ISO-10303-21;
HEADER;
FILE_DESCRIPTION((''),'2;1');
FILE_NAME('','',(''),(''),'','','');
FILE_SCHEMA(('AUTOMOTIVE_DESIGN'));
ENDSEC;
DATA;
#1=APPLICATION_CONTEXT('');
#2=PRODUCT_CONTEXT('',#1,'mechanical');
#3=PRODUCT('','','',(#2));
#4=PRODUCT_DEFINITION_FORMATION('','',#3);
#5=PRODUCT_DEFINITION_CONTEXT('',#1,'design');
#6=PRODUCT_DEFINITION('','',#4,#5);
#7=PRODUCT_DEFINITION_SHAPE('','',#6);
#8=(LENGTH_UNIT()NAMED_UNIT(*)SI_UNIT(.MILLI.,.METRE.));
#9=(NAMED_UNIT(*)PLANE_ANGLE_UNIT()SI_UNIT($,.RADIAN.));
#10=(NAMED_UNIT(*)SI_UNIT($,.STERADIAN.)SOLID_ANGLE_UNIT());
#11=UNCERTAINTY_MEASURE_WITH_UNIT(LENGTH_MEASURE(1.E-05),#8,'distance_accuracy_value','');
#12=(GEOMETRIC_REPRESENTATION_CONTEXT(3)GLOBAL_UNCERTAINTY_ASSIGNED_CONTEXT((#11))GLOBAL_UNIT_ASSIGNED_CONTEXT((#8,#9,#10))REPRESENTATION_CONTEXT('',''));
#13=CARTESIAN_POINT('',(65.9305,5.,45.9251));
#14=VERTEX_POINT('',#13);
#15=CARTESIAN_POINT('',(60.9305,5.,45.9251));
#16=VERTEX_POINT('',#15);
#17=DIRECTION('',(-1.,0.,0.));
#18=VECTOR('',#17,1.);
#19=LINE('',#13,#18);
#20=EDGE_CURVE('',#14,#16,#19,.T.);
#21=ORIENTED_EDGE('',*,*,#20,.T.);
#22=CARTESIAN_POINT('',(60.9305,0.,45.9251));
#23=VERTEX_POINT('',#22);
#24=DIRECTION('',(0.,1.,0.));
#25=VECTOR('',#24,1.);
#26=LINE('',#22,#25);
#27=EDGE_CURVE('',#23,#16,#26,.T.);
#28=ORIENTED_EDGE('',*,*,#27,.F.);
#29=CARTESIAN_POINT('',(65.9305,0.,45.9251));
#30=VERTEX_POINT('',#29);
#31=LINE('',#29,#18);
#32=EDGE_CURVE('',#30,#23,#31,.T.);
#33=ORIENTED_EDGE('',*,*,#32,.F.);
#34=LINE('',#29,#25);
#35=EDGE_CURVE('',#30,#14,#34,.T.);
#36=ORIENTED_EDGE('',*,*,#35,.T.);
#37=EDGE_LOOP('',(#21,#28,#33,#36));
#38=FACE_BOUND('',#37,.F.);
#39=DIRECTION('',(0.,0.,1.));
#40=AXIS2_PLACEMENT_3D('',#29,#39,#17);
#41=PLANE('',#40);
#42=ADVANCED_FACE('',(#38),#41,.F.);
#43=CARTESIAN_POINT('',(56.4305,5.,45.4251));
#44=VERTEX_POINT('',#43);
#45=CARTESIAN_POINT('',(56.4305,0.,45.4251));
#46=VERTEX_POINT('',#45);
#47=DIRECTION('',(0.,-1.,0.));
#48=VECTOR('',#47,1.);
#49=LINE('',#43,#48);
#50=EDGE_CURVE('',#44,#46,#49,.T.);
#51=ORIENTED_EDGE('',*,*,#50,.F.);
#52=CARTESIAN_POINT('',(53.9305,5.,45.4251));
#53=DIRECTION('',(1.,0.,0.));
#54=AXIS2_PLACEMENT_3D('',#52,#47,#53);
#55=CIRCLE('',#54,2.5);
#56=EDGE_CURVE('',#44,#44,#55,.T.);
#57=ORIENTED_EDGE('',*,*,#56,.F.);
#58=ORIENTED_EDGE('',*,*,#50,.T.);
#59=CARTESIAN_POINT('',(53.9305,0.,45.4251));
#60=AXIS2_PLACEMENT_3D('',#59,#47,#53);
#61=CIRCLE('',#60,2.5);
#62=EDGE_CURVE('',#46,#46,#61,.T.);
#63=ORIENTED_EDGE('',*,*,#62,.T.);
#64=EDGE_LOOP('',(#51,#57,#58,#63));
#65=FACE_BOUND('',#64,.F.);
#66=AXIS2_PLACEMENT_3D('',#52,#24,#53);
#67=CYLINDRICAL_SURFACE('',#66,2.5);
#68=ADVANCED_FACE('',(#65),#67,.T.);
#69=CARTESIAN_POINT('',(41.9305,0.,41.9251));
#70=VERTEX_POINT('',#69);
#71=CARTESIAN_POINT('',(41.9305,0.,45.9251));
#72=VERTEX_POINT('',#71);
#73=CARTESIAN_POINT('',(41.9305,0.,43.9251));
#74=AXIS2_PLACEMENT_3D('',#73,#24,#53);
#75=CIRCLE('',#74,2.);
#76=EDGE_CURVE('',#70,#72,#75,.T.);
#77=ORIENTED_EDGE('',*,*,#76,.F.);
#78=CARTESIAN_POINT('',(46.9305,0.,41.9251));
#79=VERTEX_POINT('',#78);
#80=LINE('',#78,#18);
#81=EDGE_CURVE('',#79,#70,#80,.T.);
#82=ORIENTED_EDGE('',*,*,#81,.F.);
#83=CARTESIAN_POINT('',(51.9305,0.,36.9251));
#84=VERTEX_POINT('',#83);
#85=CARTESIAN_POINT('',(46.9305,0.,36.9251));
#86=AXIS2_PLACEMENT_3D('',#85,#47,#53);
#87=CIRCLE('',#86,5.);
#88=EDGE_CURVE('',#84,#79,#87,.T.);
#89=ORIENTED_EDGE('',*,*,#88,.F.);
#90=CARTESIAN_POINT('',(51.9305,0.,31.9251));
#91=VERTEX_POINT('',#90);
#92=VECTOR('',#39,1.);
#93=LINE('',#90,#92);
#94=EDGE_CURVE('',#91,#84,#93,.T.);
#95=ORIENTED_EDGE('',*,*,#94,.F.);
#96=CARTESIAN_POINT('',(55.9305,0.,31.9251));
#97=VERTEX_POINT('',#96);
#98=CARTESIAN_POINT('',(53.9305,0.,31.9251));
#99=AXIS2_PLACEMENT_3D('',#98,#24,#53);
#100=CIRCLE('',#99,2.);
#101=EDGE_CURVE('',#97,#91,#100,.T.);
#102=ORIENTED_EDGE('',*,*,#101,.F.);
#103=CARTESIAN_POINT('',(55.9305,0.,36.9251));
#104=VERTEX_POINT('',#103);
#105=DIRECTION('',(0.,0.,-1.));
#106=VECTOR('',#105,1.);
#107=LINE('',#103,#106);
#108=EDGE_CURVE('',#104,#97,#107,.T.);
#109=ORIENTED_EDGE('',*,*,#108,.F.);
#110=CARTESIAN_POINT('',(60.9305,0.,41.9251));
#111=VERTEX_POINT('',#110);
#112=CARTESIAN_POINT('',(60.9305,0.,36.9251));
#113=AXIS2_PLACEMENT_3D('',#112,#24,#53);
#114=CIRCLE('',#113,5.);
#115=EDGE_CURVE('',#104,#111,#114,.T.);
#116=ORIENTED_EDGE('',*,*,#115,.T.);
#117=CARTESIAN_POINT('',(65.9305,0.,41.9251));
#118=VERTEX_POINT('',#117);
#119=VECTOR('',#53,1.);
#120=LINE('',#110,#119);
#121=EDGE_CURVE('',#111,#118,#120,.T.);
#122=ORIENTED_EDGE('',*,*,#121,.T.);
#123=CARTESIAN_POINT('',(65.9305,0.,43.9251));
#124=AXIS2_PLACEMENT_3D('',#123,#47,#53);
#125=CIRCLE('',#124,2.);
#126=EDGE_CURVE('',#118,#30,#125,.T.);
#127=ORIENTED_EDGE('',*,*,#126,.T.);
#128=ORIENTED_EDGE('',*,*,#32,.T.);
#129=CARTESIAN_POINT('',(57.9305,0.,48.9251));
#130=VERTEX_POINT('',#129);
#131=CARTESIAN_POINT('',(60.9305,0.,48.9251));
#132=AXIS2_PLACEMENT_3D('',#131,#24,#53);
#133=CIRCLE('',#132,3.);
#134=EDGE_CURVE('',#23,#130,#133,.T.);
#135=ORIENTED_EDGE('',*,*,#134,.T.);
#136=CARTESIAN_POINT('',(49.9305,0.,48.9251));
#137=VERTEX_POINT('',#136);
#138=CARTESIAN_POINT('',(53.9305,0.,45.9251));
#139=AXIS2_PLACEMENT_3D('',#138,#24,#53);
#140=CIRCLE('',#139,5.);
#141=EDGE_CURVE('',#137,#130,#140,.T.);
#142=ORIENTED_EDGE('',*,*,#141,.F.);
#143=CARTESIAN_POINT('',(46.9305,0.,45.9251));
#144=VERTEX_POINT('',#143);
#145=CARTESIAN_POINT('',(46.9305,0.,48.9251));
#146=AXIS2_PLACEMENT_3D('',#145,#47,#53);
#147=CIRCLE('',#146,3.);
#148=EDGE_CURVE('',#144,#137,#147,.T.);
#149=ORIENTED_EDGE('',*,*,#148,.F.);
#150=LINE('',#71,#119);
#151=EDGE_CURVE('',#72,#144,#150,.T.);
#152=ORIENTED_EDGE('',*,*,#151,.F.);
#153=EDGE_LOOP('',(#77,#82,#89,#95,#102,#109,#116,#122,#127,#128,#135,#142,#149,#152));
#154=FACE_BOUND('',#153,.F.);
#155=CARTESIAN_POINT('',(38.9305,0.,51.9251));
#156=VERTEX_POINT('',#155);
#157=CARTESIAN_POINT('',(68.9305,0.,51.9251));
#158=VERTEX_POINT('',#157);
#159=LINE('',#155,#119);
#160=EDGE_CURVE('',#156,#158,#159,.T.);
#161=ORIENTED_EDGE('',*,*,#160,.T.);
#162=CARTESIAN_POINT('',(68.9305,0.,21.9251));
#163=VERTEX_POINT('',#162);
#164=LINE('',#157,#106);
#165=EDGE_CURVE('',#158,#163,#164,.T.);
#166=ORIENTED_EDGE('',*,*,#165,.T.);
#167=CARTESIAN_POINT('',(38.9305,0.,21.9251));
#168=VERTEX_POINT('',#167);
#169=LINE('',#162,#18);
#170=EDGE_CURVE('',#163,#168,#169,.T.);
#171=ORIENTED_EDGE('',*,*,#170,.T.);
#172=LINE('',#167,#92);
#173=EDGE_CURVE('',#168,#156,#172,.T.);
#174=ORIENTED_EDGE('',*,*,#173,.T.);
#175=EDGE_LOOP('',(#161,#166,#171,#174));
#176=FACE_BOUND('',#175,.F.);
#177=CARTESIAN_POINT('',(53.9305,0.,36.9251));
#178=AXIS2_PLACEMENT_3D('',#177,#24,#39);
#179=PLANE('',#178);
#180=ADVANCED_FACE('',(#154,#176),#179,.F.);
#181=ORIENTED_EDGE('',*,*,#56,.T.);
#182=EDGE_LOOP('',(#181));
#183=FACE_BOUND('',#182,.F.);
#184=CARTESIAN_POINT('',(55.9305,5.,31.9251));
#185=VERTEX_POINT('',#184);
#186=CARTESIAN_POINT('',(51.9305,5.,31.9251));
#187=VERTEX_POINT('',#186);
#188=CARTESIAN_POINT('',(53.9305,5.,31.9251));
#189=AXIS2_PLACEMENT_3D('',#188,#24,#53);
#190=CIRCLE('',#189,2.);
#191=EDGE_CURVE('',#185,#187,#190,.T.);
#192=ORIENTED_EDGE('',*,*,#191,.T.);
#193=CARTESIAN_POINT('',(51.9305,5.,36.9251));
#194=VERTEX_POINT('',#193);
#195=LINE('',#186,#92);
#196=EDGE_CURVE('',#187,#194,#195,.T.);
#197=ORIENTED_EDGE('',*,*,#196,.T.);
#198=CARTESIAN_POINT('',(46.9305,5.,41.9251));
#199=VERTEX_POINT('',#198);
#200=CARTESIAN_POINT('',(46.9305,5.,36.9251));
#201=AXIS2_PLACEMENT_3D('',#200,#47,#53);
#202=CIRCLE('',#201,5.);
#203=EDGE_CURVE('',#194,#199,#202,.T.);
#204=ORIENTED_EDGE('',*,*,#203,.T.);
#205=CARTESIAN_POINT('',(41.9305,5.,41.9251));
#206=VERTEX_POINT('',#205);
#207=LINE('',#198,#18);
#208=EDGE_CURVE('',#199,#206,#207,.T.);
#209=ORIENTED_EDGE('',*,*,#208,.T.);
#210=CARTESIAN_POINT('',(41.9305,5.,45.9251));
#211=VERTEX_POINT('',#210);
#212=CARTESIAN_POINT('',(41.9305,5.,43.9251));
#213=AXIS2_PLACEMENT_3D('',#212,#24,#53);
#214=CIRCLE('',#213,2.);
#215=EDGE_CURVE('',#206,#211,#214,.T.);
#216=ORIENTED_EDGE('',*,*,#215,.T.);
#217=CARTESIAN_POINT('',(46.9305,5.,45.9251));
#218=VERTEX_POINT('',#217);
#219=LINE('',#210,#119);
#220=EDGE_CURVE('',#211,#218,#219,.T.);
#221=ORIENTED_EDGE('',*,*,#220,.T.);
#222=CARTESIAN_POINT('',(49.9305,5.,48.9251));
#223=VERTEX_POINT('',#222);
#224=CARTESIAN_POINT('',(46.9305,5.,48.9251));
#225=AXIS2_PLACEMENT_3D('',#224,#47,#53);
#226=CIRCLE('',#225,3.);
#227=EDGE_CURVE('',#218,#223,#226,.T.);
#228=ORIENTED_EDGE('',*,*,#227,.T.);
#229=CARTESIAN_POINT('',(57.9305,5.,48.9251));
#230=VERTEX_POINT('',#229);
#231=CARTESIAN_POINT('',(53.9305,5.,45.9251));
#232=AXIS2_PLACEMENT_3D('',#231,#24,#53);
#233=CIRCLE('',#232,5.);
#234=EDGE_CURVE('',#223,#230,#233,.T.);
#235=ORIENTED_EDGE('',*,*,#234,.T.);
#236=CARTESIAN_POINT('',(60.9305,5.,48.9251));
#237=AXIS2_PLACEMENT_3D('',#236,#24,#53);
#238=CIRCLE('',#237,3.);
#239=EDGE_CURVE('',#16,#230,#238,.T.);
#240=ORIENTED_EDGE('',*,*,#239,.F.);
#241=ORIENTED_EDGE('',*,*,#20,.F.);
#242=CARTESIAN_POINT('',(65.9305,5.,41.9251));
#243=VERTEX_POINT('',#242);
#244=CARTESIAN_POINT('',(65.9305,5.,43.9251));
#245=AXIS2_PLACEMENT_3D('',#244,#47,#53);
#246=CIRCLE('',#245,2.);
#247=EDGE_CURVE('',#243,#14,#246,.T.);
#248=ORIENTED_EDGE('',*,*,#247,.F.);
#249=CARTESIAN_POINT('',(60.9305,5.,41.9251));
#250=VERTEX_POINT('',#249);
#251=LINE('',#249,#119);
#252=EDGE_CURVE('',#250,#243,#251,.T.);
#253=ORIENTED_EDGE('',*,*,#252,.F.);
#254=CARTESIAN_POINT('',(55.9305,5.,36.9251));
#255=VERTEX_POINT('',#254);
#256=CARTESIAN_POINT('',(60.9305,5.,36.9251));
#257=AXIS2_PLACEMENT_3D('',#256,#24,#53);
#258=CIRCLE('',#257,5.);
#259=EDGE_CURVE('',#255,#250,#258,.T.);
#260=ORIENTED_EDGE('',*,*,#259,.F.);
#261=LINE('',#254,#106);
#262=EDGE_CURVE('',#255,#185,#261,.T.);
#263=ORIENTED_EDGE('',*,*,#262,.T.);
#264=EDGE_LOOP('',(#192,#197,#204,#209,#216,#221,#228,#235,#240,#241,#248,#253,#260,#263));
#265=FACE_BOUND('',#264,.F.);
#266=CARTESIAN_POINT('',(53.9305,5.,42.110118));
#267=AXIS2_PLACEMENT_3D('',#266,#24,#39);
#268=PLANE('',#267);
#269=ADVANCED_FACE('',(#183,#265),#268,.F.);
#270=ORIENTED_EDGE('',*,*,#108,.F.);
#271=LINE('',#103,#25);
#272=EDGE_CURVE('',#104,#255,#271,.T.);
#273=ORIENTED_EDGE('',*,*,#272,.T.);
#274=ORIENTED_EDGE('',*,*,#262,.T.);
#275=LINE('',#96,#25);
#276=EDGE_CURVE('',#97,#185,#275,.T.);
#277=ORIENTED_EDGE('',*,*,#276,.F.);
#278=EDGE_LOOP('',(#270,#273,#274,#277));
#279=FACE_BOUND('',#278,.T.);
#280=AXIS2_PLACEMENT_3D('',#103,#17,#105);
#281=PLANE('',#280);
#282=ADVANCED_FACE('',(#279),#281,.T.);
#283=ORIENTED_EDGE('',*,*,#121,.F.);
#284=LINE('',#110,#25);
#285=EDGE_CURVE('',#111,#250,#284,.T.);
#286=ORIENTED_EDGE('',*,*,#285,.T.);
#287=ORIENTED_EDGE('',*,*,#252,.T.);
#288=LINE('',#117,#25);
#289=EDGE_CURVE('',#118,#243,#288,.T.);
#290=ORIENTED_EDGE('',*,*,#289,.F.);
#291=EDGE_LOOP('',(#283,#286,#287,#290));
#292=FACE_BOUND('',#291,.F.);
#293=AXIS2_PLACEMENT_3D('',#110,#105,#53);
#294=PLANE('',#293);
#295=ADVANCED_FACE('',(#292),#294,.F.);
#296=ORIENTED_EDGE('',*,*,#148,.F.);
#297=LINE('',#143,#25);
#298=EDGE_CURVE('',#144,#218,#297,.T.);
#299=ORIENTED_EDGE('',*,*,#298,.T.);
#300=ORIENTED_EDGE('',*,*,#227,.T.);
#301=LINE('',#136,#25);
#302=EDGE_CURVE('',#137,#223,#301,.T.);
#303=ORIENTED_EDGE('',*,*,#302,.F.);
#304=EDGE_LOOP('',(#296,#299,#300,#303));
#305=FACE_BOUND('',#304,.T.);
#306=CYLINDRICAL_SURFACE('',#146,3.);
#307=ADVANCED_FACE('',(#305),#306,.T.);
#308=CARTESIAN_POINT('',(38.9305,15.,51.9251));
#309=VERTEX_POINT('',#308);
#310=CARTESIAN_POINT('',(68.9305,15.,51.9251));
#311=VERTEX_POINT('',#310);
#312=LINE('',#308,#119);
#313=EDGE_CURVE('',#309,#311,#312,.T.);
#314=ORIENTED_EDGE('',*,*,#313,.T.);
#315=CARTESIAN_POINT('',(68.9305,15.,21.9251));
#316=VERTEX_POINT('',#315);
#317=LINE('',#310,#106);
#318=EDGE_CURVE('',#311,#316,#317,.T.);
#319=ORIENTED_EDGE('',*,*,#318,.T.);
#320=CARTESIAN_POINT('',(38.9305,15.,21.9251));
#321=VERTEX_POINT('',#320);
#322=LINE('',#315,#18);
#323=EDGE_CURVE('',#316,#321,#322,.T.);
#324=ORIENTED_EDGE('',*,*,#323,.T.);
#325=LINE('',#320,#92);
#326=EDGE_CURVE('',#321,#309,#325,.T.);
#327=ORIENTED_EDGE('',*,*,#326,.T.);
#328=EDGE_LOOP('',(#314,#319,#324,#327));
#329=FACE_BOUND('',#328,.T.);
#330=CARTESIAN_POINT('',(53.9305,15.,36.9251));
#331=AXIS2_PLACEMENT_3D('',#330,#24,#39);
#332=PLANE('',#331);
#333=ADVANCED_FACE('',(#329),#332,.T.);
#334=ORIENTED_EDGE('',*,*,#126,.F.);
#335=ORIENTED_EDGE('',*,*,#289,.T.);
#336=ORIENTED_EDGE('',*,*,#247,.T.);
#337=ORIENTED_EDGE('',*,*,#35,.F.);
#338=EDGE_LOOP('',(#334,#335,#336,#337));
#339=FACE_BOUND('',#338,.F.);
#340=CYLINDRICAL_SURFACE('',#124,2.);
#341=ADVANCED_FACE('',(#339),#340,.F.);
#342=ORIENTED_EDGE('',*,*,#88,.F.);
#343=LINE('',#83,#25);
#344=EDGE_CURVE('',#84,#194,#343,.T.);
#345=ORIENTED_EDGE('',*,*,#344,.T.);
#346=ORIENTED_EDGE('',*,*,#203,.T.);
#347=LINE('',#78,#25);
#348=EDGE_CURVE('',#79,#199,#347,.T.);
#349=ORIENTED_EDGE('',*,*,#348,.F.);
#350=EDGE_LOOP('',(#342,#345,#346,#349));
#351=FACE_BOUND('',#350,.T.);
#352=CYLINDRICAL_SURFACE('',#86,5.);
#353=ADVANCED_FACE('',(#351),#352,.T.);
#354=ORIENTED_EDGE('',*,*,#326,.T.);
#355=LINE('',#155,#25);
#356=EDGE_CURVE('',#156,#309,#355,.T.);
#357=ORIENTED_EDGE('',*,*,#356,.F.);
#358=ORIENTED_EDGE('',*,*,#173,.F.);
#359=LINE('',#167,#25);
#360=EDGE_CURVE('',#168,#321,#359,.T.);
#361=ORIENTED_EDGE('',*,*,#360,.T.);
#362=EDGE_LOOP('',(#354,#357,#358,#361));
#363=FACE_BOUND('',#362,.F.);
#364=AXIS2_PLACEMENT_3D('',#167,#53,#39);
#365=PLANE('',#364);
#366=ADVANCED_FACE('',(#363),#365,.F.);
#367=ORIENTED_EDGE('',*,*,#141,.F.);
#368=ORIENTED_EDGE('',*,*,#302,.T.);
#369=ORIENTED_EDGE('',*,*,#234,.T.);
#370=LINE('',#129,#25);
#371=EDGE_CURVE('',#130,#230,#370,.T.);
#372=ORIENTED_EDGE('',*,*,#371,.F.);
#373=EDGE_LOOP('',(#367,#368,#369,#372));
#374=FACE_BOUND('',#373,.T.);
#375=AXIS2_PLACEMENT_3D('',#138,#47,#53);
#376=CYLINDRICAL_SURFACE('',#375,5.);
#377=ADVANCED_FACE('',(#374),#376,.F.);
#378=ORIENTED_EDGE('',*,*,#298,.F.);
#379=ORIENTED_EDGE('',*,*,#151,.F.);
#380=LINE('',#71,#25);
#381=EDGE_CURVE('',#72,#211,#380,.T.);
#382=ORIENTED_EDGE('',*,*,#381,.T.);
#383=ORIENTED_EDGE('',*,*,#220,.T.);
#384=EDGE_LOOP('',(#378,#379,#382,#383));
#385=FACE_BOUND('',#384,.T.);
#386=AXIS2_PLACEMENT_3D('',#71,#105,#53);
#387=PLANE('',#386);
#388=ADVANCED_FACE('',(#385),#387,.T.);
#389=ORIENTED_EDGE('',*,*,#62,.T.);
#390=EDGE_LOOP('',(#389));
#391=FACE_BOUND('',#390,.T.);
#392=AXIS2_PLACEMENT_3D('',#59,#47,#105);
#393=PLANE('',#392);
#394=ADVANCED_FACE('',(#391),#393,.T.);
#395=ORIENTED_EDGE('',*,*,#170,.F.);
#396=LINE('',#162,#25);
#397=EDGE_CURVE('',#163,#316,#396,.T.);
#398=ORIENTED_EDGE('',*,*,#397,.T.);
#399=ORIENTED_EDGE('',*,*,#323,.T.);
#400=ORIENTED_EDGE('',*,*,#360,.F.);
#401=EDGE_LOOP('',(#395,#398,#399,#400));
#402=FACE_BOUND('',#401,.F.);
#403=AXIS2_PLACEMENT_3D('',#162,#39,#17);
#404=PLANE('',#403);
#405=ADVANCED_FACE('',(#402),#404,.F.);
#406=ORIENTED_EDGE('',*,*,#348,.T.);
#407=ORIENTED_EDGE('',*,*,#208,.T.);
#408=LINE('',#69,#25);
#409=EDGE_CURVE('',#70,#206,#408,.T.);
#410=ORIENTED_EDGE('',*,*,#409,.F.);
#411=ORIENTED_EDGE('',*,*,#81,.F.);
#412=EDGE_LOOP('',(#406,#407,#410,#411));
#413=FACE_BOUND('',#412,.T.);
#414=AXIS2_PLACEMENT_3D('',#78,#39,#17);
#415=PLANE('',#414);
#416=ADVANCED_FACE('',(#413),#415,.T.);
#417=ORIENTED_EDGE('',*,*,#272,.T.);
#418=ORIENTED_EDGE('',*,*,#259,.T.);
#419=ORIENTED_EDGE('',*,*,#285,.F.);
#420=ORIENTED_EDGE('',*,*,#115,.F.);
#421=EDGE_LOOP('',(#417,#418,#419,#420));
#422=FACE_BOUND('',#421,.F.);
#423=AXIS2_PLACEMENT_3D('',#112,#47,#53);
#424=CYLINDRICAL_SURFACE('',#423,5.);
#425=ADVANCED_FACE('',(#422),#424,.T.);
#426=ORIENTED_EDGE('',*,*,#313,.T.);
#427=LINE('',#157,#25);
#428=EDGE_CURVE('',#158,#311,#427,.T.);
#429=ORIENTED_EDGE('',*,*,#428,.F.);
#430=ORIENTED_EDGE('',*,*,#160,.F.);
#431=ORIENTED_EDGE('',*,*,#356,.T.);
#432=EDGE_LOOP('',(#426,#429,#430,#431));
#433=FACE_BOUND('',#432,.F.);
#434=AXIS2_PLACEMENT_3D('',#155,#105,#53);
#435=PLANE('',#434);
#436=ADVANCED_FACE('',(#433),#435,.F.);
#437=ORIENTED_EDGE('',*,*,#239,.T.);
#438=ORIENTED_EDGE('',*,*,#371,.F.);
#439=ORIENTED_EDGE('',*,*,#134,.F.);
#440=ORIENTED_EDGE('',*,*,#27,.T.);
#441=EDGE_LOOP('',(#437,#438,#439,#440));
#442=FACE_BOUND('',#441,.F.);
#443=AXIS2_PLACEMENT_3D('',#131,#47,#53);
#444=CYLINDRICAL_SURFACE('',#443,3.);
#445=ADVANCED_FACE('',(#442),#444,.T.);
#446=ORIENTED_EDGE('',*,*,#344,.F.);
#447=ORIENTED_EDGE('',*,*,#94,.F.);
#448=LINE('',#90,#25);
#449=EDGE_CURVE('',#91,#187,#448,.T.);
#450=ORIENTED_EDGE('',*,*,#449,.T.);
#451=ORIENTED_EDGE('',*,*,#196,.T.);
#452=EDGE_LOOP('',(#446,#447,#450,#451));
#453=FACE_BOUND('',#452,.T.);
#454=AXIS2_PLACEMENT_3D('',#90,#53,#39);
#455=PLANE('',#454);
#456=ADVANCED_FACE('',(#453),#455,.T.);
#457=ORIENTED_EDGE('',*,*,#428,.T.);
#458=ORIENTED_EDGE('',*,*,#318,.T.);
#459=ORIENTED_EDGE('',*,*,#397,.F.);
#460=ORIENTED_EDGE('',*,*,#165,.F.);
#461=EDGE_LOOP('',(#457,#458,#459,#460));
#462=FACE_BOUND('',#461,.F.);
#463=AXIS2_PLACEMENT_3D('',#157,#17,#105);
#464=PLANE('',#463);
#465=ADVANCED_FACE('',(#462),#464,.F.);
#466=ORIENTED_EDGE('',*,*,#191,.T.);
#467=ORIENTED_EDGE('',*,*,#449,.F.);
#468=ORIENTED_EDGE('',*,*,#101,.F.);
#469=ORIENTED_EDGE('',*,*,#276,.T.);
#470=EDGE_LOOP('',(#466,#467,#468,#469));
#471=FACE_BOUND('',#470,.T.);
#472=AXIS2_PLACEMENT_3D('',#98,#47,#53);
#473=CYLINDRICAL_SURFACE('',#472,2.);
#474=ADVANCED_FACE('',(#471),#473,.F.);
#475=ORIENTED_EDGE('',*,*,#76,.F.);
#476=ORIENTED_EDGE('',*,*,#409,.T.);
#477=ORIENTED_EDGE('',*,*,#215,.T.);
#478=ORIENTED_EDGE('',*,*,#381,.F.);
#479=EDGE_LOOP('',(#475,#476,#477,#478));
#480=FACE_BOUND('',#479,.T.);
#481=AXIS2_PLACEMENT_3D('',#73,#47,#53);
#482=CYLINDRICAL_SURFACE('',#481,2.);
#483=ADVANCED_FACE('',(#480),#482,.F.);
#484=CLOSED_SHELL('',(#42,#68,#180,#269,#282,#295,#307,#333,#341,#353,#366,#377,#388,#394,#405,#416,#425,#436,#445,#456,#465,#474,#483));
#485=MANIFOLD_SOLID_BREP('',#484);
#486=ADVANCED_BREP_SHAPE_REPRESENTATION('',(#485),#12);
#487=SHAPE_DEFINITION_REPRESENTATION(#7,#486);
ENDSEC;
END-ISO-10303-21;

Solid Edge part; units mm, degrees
sketch "Sketch1" plane through (0, 0, 0) normal (0, -1, 0) x (1, 0, 0)
  line L0 (38.9305, 51.9251) -> (68.9305, 51.9251)
  line L1 (68.9305, 51.9251) -> (68.9305, 21.9251)
  line L2 (68.9305, 21.9251) -> (38.9305, 21.9251)
  line L3 (38.9305, 21.9251) -> (38.9305, 51.9251)
  dimension "D1" = 30
  dimension "D2" = 30
extrude "Protrusion1" add sketch "Sketch1" against normal blind 15
sketch "Sketch2" plane through (63.9305, 0, 41.9251) normal (0, -1, 0) x (1, 0, 0)
  line L0 (-8, -5) -> (-8, -10)
  arc A0 (-8, -10) -> (-12, -10) centre (-10, -10) cw
  line L1 (-12, -10) -> (-12, -5)
  arc A1 (-12, -5) -> (-17, 0) centre (-17, -5) ccw
  line L2 (-17, 0) -> (-22, 0)
  arc A2 (-22, 0) -> (-22, 4) centre (-22, 2) cw
  line L3 (-22, 4) -> (-17, 4)
  arc A3 (-17, 4) -> (-14, 7) centre (-17, 7) ccw
  arc A4 (-14, 7) -> (-6, 7) centre (-10, 4) cw
  arc A5 (-3, 4) -> (-6, 7) centre (-3, 7) cw
  line L4 (2, 4) -> (-3, 4)
  arc A6 (2, 0) -> (2, 4) centre (2, 2) ccw
  line L5 (-3, 0) -> (2, 0)
  arc A7 (-8, -5) -> (-3, 0) centre (-3, -5) cw
  dimension "D1" = 5
  dimension "D2" = 10
  dimension "D3" = 2
  dimension "D4" = 2
  dimension "D5" = 5
  dimension "D6" = 5
  dimension "D7" = 5
  dimension "D8" = 2
  dimension "D9" = 5
  dimension "D10" = 5
  dimension "D11" = 2
  dimension "D12" = 5
  dimension "D13" = 5
  dimension "D14" = 3
  dimension "D15" = 5
  dimension "D16" = 3
extrude "ExtrudedCutout_4" cut sketch "Sketch2" against normal blind 5
sketch "Sketch3" plane through (63.9305, 5, 35.4251) normal (0, -1, 0) x (1, 0, 0)
  circle A0 centre (-10, 10) radius 2.5
  dimension "D1" = 5.5
extrude "ExtrudedProtrusion_3" add sketch "Sketch3" along normal blind 5
